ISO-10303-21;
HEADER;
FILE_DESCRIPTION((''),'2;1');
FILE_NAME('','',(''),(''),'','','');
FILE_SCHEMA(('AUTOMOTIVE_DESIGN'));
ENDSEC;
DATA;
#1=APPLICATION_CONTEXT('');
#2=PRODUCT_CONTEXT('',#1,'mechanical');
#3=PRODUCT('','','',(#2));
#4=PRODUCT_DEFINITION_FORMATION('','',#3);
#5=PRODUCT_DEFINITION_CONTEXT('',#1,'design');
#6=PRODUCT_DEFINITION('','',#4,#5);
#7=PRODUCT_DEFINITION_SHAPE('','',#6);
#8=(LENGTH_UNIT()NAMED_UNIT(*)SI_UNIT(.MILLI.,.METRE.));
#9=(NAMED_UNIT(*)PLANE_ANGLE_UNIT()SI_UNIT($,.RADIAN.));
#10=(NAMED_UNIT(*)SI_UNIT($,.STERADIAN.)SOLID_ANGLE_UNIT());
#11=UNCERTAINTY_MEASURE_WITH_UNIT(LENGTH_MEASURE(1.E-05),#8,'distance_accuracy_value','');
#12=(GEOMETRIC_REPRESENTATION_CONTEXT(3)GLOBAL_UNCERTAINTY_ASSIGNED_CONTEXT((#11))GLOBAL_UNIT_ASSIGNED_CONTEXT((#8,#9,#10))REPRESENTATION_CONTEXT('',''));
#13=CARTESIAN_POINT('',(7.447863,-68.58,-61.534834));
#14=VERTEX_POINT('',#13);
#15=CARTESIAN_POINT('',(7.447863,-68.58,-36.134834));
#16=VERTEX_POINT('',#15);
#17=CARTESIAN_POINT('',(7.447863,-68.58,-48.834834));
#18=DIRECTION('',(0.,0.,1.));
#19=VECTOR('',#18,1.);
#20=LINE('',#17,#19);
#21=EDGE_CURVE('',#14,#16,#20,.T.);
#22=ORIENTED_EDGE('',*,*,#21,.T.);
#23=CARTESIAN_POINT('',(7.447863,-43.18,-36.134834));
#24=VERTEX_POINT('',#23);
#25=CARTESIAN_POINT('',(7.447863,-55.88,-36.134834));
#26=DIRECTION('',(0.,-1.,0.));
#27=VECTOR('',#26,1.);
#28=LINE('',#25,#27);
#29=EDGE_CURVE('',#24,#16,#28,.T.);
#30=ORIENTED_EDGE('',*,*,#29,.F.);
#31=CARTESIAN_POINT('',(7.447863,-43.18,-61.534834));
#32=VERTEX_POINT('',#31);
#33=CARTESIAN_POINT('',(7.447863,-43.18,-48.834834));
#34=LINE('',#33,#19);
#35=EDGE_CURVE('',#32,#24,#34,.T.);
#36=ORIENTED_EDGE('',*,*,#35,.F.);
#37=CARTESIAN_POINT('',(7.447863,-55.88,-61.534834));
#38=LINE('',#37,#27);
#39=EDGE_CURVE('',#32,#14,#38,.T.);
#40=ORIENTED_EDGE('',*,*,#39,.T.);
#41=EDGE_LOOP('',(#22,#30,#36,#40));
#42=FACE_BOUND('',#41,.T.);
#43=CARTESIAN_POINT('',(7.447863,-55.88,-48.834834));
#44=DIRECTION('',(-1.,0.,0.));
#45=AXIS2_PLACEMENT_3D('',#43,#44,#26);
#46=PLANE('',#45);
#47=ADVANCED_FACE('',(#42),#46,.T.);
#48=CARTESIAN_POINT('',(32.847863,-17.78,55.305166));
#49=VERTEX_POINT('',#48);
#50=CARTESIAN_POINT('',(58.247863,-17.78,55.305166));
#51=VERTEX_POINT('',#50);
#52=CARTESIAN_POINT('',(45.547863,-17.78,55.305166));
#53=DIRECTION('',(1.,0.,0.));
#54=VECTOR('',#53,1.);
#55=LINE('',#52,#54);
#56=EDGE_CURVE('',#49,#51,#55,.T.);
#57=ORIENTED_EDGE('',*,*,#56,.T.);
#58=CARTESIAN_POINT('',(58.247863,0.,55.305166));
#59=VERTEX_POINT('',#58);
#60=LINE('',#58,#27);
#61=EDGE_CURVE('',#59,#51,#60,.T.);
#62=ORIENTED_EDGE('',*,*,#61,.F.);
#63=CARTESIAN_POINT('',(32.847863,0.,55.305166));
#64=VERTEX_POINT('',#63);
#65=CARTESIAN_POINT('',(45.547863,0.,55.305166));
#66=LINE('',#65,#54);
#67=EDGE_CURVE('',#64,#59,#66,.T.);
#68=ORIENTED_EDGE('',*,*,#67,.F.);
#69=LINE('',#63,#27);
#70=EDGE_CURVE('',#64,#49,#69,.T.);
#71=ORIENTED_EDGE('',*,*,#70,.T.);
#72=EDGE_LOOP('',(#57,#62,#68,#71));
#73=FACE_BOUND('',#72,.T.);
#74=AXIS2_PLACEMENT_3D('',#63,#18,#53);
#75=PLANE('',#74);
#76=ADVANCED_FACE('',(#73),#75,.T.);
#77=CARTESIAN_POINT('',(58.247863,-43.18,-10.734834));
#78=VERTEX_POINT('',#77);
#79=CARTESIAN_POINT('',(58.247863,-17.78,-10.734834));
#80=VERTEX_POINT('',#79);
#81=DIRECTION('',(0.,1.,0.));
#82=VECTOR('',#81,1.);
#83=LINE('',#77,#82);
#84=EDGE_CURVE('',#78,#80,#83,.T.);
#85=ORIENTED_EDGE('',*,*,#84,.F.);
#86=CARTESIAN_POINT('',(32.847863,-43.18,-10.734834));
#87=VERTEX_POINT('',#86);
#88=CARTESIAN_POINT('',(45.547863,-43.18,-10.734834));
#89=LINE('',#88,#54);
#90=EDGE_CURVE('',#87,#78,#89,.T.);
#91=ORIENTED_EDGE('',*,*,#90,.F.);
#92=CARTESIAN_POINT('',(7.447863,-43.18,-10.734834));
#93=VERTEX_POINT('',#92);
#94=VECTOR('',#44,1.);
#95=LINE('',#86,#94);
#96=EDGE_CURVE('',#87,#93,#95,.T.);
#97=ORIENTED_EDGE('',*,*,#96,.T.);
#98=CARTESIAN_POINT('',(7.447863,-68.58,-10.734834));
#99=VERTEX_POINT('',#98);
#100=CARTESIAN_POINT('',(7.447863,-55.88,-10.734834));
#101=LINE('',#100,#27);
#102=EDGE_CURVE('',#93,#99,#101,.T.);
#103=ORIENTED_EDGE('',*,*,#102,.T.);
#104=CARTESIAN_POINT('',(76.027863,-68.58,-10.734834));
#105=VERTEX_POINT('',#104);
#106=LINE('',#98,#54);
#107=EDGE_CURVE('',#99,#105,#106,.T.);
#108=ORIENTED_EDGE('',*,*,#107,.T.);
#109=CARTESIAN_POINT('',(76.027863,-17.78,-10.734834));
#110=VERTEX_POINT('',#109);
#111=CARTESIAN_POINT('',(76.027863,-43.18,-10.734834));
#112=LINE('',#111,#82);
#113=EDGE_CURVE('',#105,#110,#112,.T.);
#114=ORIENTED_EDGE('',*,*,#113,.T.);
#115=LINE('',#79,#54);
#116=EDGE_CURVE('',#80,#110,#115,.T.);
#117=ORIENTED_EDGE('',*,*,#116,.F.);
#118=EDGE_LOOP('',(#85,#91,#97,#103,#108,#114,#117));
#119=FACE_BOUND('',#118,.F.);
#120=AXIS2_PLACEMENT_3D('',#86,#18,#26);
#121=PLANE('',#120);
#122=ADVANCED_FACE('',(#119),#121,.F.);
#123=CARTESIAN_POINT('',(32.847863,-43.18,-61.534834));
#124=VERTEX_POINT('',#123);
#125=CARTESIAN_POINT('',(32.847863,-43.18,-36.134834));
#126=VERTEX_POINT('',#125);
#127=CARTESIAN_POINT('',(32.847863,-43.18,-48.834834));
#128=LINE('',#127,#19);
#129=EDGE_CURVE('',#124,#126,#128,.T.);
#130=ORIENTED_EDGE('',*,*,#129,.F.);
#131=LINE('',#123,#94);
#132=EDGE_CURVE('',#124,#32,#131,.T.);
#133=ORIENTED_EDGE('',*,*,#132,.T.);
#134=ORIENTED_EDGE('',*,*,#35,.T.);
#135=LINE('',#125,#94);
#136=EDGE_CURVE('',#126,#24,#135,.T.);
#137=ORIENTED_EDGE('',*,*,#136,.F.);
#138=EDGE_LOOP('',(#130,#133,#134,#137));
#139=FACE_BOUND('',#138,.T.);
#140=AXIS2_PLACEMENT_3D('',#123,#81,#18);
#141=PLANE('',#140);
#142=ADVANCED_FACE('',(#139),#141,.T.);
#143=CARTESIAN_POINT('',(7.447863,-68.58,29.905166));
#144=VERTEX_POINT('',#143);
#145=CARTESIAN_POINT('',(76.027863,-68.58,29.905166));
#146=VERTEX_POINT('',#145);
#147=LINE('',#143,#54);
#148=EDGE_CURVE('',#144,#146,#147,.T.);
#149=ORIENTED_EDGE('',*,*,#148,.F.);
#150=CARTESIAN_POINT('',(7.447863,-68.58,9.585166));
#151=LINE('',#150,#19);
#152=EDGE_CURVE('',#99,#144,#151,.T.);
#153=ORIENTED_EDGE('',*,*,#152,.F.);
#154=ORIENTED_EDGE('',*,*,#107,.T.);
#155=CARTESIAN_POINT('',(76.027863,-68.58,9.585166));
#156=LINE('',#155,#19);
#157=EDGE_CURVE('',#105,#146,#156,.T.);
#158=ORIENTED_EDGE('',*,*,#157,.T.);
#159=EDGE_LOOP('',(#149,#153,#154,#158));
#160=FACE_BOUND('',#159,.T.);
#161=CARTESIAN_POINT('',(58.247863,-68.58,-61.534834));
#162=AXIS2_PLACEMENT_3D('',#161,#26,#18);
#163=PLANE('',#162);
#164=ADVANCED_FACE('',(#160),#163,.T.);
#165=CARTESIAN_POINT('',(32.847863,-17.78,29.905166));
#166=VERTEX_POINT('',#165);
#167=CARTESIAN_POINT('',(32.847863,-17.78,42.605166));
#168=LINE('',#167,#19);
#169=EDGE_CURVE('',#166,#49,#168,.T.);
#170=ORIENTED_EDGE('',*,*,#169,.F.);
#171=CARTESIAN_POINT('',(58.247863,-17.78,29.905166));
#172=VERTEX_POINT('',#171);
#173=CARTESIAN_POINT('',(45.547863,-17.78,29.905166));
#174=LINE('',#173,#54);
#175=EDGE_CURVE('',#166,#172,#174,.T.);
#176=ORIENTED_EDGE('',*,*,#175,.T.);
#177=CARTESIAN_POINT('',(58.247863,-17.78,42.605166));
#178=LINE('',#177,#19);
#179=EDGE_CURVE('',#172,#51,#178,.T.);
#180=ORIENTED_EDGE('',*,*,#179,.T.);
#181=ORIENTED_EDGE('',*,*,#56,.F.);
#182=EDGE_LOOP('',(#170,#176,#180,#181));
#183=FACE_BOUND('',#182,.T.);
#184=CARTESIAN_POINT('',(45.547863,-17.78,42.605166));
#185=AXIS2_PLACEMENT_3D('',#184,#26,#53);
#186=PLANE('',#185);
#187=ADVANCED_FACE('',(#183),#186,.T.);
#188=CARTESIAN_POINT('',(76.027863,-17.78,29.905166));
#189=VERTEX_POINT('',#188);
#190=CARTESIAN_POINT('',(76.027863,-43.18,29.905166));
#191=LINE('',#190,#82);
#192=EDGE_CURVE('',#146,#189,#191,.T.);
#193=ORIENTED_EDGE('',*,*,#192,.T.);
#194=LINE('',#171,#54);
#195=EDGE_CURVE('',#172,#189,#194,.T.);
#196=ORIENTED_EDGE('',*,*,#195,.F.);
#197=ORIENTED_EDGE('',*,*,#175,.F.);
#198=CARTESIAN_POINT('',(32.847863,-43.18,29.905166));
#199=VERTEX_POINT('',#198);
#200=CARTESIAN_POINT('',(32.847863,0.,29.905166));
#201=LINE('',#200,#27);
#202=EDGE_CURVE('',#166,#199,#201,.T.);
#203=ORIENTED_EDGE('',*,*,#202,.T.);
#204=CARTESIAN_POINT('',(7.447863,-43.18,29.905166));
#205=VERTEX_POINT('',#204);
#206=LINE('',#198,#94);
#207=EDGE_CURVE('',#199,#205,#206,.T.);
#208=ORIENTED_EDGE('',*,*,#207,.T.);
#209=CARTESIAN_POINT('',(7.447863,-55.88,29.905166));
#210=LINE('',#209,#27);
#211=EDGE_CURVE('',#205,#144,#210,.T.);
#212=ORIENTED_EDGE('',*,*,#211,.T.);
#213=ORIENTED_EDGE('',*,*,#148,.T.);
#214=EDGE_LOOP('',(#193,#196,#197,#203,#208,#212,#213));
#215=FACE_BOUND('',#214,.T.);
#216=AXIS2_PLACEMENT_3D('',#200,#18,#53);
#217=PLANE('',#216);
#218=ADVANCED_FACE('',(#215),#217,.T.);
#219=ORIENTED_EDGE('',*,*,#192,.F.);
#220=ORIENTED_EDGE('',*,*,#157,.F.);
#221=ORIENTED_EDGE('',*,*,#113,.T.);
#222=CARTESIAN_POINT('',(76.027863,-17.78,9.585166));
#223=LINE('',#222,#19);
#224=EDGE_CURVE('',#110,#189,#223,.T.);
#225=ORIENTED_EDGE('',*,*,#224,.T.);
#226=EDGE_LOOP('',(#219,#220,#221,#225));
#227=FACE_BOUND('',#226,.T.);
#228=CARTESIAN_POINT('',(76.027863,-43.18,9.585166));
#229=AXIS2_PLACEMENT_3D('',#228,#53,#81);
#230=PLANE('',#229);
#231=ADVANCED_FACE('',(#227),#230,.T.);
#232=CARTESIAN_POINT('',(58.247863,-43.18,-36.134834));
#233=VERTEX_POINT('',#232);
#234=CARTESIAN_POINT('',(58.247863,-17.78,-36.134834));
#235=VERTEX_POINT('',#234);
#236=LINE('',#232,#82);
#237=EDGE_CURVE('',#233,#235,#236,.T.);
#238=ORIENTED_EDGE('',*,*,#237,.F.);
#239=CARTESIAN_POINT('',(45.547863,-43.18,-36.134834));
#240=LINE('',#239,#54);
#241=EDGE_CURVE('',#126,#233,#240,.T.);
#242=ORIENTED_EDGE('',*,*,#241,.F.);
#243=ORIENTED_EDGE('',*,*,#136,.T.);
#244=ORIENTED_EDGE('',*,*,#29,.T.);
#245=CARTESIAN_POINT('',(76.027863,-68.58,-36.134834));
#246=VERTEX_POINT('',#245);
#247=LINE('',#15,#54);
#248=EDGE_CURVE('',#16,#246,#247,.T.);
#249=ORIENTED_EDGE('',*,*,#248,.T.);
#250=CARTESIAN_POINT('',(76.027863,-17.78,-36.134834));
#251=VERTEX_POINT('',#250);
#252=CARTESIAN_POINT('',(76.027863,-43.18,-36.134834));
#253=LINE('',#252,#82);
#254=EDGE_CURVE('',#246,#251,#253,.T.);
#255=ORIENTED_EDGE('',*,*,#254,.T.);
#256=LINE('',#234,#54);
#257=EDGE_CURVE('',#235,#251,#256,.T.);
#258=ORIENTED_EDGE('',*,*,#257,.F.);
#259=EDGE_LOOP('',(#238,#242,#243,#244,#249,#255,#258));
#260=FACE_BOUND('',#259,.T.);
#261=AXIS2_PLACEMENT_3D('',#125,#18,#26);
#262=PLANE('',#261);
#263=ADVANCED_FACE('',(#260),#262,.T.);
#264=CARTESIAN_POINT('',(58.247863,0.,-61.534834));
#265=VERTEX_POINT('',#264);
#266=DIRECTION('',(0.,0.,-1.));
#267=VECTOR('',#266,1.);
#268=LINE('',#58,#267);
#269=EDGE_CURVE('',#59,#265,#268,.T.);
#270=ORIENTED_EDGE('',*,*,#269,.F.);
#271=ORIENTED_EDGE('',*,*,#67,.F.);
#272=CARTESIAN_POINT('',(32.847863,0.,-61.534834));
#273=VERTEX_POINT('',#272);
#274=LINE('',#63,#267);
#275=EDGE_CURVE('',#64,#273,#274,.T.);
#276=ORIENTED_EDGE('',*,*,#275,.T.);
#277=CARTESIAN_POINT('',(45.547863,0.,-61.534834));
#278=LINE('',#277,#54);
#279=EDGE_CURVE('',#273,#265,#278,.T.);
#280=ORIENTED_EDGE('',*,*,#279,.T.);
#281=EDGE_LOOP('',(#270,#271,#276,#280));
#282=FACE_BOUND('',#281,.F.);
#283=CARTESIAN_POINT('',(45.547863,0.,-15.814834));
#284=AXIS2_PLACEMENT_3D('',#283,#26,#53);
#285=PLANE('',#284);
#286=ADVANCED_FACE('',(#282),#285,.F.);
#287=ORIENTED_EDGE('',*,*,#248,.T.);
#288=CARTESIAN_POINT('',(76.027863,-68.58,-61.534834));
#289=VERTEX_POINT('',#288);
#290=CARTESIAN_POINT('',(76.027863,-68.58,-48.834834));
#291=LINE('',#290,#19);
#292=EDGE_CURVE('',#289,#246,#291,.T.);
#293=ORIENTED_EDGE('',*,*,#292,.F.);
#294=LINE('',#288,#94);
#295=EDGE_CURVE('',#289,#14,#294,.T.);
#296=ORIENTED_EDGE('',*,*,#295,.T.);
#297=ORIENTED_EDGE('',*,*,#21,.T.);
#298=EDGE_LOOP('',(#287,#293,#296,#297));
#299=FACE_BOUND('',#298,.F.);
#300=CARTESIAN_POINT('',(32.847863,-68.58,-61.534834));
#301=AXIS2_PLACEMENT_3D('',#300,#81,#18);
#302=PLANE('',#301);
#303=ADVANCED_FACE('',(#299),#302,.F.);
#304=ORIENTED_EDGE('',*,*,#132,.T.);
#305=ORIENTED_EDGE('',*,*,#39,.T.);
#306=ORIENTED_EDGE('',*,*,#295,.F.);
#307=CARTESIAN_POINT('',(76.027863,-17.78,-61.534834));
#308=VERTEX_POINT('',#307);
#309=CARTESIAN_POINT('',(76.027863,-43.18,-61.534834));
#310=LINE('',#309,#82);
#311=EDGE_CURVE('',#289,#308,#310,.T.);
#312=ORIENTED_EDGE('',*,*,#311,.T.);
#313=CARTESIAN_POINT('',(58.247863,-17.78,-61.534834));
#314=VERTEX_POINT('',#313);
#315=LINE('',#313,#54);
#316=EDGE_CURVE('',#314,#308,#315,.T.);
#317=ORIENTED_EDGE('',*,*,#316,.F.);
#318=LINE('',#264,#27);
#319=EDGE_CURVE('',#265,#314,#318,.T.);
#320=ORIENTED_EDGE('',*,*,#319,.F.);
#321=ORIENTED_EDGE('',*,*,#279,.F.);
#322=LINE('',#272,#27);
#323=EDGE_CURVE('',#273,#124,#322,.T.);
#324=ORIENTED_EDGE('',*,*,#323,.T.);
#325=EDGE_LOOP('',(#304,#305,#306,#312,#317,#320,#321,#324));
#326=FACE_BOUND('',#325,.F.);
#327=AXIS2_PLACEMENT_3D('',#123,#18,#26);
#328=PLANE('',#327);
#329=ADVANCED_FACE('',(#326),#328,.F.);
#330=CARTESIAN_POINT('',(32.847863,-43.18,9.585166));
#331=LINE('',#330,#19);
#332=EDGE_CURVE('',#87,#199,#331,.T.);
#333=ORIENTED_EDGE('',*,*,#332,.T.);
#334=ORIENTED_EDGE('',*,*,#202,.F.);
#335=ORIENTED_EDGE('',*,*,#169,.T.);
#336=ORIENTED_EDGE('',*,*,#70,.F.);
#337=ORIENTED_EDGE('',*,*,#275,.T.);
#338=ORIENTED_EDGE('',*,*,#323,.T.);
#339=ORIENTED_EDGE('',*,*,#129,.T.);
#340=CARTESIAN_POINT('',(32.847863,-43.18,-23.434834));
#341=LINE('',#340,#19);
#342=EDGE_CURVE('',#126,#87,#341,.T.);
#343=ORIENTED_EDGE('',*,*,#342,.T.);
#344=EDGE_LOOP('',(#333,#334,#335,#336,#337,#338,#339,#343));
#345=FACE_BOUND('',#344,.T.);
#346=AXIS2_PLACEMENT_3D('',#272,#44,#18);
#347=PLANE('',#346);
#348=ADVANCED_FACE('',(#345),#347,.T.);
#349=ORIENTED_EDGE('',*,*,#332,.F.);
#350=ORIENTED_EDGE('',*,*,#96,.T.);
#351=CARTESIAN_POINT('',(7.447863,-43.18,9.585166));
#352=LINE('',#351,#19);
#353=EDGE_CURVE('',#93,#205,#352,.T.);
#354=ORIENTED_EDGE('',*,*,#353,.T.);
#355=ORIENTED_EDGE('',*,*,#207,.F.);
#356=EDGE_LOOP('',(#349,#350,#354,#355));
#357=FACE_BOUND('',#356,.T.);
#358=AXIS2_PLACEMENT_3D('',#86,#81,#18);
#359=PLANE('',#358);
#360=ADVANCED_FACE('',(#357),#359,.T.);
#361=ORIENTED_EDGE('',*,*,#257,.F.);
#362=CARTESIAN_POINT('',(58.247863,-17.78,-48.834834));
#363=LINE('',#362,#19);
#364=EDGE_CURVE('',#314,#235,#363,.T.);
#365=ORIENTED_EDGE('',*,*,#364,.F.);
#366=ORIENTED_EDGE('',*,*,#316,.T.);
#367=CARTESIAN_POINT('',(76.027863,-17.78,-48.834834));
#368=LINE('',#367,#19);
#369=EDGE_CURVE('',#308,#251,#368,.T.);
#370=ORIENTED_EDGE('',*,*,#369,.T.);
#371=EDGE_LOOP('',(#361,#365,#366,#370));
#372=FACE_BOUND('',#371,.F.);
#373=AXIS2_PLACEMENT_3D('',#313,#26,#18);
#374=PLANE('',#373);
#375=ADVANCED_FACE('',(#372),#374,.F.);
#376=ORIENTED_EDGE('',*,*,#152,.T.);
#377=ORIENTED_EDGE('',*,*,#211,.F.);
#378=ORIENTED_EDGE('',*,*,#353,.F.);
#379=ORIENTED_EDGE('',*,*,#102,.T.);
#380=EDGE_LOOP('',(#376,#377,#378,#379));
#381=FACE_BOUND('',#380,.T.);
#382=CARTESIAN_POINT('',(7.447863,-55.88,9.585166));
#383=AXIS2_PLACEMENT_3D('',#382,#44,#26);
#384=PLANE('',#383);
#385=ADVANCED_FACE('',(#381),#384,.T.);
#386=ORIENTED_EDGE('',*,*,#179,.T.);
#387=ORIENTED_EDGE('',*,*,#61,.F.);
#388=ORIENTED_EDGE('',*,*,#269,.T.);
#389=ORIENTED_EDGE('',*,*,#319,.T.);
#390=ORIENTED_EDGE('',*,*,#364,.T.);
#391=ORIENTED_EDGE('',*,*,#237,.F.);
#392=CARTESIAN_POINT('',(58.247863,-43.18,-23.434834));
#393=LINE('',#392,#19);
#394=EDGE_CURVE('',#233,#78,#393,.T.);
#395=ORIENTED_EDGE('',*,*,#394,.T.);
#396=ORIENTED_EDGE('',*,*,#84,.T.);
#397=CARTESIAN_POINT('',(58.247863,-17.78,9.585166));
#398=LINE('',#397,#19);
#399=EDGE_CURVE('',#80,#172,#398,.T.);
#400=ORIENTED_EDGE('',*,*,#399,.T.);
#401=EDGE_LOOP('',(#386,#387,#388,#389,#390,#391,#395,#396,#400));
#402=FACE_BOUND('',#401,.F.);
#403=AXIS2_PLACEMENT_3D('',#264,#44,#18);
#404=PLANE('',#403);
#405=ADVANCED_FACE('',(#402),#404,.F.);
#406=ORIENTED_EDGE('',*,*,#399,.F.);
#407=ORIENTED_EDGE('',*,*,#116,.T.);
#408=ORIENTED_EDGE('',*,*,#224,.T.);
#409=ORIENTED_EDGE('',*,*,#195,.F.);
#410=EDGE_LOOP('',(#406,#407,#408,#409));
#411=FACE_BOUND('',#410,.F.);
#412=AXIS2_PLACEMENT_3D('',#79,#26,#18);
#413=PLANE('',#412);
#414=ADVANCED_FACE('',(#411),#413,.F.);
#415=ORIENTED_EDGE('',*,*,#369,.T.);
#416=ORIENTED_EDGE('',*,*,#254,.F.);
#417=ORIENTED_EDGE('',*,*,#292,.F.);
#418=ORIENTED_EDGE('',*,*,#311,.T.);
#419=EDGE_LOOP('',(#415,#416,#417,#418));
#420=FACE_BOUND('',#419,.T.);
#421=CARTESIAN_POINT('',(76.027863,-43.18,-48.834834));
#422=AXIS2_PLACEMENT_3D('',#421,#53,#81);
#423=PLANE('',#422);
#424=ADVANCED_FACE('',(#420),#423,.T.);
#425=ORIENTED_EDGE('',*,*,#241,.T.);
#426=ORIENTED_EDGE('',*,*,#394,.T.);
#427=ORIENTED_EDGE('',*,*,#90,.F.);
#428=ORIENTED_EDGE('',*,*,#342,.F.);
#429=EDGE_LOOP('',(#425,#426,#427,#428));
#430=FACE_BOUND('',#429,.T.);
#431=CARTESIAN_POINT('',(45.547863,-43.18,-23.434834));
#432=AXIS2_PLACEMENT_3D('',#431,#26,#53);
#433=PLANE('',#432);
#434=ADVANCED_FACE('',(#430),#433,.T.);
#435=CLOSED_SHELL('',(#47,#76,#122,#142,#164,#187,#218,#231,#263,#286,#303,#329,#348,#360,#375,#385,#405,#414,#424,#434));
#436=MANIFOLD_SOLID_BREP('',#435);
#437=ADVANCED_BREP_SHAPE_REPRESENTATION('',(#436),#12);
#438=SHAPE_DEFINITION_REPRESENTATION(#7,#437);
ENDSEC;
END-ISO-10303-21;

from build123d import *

# Parameters (mm, degrees)
F0_W     = 25.4
F0_H     = 25.4
F1_DEPTH = 17.78
F0_H_2   = 91.44
F2_DEPTH = 68.58
F3_W     = 50.8
F3_H     = 25.4
F3_H_2   = 40.64
F4_DEPTH = 17.78
F5_W     = 25.4
F5_H     = 25.4
F6_DEPTH = 25.4
F7_W     = 25.4
F7_H     = 25.4
F7_H_2   = 40.64
F8_DEPTH = 25.4


with BuildPart() as f1:
    # F0 (on Front) → F1 (new body)
    with BuildSketch(Plane.XZ):
        with Locations((45.547863, 42.605166)):
            Rectangle(F0_W, F0_H)
    extrude(amount=F1_DEPTH)

    # F0 (on Front) → F2 (join)
    with BuildSketch(Plane.XZ):
        with Locations((45.547863, -15.814834)):
            Rectangle(F0_W, F0_H_2)
    extrude(amount=F2_DEPTH)

    # F3 (on face) → F4 (join)
    with BuildSketch(Plane.YZ.offset(58.247863)):
        with Locations((-43.18, -48.834834)):
            Rectangle(F3_W, F3_H)
        with Locations((-43.18, 9.585166)):
            Rectangle(F3_W, F3_H_2)
    extrude(amount=F4_DEPTH)

    # F5 (on face) → F6 (cut)
    with BuildSketch(Plane.XZ.offset(68.58)):
        with Locations((45.547863, -23.434834)):
            Rectangle(F5_W, F5_H)
    extrude(amount=-F6_DEPTH, mode=Mode.SUBTRACT)

    # F7 (on face) → F8 (join)
    with BuildSketch(Plane(origin=(32.847863, 0, 0), x_dir=(0, -1, 0), z_dir=(-1, 0, 0))):
        with Locations((55.88, -48.834834)):
            Rectangle(F7_W, F7_H)
        with Locations((55.88, 9.585166)):
            Rectangle(F7_W, F7_H_2)
    extrude(amount=F8_DEPTH)


solid = f1.part
